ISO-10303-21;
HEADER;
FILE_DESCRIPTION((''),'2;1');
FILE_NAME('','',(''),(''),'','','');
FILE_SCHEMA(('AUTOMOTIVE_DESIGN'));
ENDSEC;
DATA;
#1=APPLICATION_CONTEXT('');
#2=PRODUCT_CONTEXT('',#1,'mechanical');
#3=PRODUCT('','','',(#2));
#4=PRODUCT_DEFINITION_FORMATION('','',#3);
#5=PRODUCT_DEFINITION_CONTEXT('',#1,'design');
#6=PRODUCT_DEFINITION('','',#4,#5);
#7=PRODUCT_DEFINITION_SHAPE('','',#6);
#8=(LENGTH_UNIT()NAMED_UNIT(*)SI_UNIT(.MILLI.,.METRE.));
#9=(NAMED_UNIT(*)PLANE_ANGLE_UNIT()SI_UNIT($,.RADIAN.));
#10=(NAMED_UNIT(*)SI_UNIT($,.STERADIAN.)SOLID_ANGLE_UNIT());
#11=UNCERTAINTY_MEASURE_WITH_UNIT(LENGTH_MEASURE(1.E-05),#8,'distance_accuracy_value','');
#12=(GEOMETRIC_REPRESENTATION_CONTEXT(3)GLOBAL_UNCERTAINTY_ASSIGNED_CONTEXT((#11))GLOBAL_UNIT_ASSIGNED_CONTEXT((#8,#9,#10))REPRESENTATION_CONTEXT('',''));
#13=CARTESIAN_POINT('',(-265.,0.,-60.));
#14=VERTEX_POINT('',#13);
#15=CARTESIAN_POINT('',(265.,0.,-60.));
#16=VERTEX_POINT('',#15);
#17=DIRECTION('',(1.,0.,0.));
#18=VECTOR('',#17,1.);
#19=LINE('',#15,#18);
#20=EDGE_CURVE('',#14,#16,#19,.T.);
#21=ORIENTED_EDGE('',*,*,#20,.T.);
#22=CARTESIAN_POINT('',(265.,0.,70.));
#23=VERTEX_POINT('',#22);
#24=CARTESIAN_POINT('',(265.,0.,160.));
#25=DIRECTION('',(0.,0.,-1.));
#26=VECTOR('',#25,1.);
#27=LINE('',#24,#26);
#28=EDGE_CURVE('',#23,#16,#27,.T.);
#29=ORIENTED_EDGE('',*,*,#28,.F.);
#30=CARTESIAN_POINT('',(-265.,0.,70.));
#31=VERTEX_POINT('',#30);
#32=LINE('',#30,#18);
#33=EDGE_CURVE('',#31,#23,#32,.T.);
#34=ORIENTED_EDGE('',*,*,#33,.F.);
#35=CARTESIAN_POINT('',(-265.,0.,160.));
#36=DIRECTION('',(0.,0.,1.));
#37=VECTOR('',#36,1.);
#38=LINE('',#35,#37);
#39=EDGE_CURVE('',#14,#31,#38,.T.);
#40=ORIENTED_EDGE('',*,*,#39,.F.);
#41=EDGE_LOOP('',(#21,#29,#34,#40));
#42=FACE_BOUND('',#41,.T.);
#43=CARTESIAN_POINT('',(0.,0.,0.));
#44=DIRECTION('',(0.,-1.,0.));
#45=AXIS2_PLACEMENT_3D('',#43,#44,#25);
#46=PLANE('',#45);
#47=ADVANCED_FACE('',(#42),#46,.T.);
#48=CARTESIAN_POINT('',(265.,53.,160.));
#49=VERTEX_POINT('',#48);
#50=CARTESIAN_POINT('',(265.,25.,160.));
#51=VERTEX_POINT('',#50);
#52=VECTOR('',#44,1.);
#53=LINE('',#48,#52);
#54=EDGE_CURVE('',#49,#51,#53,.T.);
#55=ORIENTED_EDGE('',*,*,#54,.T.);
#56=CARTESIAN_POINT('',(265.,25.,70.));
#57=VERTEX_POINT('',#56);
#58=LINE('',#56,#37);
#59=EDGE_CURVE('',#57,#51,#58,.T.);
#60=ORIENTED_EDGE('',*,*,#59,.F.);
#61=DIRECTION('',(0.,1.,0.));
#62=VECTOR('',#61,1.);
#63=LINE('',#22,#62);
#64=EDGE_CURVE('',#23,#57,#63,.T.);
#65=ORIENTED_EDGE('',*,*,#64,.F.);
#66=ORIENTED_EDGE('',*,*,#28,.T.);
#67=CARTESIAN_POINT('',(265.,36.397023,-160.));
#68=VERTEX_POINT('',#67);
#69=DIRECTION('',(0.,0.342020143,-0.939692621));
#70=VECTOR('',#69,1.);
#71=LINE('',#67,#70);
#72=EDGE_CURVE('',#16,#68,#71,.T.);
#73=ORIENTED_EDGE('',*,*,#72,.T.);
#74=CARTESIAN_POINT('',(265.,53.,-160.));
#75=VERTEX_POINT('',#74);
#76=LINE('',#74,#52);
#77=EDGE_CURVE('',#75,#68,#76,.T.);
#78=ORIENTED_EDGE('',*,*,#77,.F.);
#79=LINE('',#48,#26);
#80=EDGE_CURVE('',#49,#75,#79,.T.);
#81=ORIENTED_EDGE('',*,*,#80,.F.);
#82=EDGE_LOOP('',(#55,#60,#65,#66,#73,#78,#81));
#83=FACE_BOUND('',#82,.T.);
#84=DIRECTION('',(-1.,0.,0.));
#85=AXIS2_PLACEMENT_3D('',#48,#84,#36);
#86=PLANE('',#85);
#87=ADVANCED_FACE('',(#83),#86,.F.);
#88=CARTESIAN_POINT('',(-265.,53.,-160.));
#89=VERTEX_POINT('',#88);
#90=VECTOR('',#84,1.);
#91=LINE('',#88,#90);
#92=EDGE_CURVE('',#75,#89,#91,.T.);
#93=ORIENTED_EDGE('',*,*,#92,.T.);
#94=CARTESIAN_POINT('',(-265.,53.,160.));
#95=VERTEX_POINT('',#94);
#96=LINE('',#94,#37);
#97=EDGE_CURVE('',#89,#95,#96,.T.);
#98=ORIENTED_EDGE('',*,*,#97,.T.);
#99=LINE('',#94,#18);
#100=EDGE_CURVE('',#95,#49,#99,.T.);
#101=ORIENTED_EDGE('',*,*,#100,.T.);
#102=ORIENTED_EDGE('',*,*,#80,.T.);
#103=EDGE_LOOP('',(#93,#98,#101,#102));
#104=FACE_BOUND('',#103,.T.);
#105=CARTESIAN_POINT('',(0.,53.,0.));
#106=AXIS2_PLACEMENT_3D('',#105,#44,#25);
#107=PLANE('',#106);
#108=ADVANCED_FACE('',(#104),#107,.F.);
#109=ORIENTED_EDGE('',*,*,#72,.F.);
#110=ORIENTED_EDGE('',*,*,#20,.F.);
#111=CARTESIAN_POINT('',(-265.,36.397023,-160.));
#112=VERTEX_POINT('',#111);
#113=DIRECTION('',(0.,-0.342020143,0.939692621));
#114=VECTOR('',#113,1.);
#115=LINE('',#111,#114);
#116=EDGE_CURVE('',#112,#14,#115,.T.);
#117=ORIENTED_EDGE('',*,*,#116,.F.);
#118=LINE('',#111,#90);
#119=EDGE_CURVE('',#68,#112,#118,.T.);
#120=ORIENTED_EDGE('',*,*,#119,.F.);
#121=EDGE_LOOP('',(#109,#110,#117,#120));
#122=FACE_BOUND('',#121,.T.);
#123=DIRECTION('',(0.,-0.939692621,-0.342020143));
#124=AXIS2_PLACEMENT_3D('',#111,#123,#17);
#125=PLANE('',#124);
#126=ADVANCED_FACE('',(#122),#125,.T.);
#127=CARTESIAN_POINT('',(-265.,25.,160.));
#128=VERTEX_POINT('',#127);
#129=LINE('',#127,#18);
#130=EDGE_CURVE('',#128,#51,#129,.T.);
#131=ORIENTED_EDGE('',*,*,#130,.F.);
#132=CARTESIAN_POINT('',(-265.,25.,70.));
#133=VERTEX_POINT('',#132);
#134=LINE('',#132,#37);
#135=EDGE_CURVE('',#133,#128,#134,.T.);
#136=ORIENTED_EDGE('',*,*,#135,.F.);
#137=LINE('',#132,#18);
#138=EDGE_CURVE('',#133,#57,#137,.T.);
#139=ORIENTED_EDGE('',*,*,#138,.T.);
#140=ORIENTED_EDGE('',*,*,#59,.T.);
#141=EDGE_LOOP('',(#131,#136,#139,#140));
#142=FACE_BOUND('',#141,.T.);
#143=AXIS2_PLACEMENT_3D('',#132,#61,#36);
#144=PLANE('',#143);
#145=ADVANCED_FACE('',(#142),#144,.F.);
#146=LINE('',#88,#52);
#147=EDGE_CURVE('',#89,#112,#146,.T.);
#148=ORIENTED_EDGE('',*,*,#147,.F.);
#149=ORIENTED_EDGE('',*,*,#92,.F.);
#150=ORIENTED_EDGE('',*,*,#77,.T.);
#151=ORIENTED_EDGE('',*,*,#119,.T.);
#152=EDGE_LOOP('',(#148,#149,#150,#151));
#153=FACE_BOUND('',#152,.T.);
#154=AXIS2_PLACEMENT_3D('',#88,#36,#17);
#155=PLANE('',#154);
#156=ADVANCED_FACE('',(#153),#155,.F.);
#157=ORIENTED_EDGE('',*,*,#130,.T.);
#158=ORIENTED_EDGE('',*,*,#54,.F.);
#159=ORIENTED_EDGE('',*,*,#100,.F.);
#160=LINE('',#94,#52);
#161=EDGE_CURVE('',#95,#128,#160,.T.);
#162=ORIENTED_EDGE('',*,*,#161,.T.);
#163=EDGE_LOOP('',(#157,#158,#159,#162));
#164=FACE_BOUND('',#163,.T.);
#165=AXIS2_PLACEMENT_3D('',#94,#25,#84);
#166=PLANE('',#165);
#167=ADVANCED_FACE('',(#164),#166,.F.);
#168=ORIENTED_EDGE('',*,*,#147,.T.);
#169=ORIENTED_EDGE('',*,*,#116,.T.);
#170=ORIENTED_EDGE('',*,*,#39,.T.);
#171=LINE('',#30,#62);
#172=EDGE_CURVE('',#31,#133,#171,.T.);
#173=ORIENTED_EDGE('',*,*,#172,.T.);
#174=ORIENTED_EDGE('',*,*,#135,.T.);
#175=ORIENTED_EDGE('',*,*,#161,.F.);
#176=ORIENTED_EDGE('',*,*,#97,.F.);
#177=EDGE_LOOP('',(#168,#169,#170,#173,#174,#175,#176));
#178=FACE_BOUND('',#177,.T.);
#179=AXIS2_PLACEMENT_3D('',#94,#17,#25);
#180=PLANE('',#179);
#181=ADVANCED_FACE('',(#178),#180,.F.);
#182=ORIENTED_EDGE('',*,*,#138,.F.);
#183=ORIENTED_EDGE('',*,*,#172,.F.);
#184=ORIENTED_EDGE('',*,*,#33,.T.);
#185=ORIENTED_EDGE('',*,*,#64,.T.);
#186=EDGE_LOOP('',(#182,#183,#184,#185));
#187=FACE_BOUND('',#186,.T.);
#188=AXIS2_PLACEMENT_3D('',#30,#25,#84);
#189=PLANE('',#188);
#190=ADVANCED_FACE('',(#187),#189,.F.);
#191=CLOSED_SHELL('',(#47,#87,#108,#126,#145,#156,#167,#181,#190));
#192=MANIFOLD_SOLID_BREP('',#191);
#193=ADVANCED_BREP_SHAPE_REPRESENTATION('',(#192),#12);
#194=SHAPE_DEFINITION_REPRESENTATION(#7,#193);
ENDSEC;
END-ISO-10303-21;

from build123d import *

# Parameters (mm, degrees)
SKIZZE1_W                       = 530
SKIZZE1_H                       = 320
AUFSATZ_LINEAR_AUSTRAGEN1_DEPTH = 53
FASE1_SIZE                      = 100
FASE1_SIZE2                     = 36.397023427
SKIZZE2_W                       = 90
SKIZZE2_H                       = 25
SCHNITT_LINEAR_AUSTRAGEN1_DEPTH = 530


with BuildPart() as part:
    # Skizze1 → Aufsatz-Linear austragen1 (new body)
    with BuildSketch(Plane(origin=(0, 0, 0), x_dir=(1, 0, 0), z_dir=(0, 1, 0))):
        Rectangle(SKIZZE1_W, SKIZZE1_H)
    extrude(amount=AUFSATZ_LINEAR_AUSTRAGEN1_DEPTH)

    # Fase1
    fase1_edges = [part.edges().sort_by_distance(p)[0] for p in [
        (0, 0, -160),
    ]]
    fase1_side = [part.faces().sort_by_distance(p)[0] for p in [
        (0, 0, 0),
    ]]
    chamfer(fase1_edges, length=FASE1_SIZE, length2=FASE1_SIZE2, reference=fase1_side[0])

    # Skizze2 → Schnitt-Linear austragen1 (cut)
    with BuildSketch(Plane(origin=(265, 0, 0), x_dir=(0, 0, -1), z_dir=(1, 0, 0))):
        with Locations((-115, 12.5)):
            Rectangle(SKIZZE2_W, SKIZZE2_H)
    extrude(amount=-SCHNITT_LINEAR_AUSTRAGEN1_DEPTH, mode=Mode.SUBTRACT)


solid = part.part
